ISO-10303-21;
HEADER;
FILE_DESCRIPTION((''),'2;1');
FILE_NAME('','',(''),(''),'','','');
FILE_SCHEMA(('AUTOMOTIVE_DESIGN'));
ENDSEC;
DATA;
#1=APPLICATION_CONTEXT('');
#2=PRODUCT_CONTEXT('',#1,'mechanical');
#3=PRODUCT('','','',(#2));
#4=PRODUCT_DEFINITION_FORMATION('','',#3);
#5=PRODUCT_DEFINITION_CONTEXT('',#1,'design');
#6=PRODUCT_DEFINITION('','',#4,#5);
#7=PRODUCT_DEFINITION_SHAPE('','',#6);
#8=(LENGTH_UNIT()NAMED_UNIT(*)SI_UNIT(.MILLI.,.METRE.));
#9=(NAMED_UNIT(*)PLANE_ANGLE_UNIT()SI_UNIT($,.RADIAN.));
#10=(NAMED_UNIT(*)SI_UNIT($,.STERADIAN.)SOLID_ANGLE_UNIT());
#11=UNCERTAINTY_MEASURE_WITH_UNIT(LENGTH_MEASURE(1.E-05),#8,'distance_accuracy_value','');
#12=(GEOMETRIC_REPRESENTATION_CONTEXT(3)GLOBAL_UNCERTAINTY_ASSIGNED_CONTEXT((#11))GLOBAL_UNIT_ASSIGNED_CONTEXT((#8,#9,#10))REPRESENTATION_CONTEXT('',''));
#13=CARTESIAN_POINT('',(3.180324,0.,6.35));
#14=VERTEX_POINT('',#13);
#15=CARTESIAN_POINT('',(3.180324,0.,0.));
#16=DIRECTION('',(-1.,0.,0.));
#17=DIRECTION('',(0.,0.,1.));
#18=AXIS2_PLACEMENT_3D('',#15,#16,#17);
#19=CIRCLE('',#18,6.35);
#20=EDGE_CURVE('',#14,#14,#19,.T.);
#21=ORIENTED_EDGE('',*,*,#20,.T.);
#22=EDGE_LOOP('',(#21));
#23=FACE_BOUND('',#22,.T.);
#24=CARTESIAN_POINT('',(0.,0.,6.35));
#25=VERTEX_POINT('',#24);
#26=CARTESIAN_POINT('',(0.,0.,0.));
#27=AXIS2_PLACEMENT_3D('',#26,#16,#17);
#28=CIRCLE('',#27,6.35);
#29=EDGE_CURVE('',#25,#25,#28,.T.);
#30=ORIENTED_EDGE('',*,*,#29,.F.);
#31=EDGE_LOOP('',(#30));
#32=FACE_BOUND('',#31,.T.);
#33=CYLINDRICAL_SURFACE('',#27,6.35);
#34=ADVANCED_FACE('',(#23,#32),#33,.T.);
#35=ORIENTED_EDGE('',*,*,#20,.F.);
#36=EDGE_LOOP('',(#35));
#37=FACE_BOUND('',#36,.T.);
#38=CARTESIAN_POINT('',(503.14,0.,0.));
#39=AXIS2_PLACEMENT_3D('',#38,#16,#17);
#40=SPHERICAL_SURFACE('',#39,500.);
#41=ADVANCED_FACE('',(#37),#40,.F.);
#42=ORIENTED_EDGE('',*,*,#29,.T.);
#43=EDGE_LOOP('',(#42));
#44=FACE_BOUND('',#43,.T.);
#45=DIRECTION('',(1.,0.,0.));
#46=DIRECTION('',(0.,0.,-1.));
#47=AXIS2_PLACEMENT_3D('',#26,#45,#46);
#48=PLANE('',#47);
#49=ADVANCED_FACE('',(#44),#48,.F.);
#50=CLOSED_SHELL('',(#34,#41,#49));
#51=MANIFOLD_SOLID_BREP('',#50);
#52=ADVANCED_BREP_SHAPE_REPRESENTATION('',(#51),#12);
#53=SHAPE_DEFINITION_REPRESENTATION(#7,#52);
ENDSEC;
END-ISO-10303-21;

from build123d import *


with BuildPart() as part:
    # 草图1 → 旋转1 (revolve)
    with BuildSketch(Plane(origin=(0, 0, 0), x_dir=(1, 0, 0), z_dir=(0, 1, 0)), mode=Mode.PRIVATE) as revolve_1_sk:
        with BuildLine():
            Line((0, 0), (3.14, 0))
            ThreePointArc((3.14, 0), (3.150081133, 3.175064016), (3.180324126, 6.35))
            Line((3.180324126, 6.35), (0, 6.35))
            Line((0, 6.35), (0, 0))
        make_face()
    revolve(revolve_1_sk.sketch.rotate(Axis((0, 0, 0), (1, 0, 0)), 180), axis=Axis((0, 0, 0), (1, 0, 0)))  # turned: the seam where the file's is


solid = part.part
